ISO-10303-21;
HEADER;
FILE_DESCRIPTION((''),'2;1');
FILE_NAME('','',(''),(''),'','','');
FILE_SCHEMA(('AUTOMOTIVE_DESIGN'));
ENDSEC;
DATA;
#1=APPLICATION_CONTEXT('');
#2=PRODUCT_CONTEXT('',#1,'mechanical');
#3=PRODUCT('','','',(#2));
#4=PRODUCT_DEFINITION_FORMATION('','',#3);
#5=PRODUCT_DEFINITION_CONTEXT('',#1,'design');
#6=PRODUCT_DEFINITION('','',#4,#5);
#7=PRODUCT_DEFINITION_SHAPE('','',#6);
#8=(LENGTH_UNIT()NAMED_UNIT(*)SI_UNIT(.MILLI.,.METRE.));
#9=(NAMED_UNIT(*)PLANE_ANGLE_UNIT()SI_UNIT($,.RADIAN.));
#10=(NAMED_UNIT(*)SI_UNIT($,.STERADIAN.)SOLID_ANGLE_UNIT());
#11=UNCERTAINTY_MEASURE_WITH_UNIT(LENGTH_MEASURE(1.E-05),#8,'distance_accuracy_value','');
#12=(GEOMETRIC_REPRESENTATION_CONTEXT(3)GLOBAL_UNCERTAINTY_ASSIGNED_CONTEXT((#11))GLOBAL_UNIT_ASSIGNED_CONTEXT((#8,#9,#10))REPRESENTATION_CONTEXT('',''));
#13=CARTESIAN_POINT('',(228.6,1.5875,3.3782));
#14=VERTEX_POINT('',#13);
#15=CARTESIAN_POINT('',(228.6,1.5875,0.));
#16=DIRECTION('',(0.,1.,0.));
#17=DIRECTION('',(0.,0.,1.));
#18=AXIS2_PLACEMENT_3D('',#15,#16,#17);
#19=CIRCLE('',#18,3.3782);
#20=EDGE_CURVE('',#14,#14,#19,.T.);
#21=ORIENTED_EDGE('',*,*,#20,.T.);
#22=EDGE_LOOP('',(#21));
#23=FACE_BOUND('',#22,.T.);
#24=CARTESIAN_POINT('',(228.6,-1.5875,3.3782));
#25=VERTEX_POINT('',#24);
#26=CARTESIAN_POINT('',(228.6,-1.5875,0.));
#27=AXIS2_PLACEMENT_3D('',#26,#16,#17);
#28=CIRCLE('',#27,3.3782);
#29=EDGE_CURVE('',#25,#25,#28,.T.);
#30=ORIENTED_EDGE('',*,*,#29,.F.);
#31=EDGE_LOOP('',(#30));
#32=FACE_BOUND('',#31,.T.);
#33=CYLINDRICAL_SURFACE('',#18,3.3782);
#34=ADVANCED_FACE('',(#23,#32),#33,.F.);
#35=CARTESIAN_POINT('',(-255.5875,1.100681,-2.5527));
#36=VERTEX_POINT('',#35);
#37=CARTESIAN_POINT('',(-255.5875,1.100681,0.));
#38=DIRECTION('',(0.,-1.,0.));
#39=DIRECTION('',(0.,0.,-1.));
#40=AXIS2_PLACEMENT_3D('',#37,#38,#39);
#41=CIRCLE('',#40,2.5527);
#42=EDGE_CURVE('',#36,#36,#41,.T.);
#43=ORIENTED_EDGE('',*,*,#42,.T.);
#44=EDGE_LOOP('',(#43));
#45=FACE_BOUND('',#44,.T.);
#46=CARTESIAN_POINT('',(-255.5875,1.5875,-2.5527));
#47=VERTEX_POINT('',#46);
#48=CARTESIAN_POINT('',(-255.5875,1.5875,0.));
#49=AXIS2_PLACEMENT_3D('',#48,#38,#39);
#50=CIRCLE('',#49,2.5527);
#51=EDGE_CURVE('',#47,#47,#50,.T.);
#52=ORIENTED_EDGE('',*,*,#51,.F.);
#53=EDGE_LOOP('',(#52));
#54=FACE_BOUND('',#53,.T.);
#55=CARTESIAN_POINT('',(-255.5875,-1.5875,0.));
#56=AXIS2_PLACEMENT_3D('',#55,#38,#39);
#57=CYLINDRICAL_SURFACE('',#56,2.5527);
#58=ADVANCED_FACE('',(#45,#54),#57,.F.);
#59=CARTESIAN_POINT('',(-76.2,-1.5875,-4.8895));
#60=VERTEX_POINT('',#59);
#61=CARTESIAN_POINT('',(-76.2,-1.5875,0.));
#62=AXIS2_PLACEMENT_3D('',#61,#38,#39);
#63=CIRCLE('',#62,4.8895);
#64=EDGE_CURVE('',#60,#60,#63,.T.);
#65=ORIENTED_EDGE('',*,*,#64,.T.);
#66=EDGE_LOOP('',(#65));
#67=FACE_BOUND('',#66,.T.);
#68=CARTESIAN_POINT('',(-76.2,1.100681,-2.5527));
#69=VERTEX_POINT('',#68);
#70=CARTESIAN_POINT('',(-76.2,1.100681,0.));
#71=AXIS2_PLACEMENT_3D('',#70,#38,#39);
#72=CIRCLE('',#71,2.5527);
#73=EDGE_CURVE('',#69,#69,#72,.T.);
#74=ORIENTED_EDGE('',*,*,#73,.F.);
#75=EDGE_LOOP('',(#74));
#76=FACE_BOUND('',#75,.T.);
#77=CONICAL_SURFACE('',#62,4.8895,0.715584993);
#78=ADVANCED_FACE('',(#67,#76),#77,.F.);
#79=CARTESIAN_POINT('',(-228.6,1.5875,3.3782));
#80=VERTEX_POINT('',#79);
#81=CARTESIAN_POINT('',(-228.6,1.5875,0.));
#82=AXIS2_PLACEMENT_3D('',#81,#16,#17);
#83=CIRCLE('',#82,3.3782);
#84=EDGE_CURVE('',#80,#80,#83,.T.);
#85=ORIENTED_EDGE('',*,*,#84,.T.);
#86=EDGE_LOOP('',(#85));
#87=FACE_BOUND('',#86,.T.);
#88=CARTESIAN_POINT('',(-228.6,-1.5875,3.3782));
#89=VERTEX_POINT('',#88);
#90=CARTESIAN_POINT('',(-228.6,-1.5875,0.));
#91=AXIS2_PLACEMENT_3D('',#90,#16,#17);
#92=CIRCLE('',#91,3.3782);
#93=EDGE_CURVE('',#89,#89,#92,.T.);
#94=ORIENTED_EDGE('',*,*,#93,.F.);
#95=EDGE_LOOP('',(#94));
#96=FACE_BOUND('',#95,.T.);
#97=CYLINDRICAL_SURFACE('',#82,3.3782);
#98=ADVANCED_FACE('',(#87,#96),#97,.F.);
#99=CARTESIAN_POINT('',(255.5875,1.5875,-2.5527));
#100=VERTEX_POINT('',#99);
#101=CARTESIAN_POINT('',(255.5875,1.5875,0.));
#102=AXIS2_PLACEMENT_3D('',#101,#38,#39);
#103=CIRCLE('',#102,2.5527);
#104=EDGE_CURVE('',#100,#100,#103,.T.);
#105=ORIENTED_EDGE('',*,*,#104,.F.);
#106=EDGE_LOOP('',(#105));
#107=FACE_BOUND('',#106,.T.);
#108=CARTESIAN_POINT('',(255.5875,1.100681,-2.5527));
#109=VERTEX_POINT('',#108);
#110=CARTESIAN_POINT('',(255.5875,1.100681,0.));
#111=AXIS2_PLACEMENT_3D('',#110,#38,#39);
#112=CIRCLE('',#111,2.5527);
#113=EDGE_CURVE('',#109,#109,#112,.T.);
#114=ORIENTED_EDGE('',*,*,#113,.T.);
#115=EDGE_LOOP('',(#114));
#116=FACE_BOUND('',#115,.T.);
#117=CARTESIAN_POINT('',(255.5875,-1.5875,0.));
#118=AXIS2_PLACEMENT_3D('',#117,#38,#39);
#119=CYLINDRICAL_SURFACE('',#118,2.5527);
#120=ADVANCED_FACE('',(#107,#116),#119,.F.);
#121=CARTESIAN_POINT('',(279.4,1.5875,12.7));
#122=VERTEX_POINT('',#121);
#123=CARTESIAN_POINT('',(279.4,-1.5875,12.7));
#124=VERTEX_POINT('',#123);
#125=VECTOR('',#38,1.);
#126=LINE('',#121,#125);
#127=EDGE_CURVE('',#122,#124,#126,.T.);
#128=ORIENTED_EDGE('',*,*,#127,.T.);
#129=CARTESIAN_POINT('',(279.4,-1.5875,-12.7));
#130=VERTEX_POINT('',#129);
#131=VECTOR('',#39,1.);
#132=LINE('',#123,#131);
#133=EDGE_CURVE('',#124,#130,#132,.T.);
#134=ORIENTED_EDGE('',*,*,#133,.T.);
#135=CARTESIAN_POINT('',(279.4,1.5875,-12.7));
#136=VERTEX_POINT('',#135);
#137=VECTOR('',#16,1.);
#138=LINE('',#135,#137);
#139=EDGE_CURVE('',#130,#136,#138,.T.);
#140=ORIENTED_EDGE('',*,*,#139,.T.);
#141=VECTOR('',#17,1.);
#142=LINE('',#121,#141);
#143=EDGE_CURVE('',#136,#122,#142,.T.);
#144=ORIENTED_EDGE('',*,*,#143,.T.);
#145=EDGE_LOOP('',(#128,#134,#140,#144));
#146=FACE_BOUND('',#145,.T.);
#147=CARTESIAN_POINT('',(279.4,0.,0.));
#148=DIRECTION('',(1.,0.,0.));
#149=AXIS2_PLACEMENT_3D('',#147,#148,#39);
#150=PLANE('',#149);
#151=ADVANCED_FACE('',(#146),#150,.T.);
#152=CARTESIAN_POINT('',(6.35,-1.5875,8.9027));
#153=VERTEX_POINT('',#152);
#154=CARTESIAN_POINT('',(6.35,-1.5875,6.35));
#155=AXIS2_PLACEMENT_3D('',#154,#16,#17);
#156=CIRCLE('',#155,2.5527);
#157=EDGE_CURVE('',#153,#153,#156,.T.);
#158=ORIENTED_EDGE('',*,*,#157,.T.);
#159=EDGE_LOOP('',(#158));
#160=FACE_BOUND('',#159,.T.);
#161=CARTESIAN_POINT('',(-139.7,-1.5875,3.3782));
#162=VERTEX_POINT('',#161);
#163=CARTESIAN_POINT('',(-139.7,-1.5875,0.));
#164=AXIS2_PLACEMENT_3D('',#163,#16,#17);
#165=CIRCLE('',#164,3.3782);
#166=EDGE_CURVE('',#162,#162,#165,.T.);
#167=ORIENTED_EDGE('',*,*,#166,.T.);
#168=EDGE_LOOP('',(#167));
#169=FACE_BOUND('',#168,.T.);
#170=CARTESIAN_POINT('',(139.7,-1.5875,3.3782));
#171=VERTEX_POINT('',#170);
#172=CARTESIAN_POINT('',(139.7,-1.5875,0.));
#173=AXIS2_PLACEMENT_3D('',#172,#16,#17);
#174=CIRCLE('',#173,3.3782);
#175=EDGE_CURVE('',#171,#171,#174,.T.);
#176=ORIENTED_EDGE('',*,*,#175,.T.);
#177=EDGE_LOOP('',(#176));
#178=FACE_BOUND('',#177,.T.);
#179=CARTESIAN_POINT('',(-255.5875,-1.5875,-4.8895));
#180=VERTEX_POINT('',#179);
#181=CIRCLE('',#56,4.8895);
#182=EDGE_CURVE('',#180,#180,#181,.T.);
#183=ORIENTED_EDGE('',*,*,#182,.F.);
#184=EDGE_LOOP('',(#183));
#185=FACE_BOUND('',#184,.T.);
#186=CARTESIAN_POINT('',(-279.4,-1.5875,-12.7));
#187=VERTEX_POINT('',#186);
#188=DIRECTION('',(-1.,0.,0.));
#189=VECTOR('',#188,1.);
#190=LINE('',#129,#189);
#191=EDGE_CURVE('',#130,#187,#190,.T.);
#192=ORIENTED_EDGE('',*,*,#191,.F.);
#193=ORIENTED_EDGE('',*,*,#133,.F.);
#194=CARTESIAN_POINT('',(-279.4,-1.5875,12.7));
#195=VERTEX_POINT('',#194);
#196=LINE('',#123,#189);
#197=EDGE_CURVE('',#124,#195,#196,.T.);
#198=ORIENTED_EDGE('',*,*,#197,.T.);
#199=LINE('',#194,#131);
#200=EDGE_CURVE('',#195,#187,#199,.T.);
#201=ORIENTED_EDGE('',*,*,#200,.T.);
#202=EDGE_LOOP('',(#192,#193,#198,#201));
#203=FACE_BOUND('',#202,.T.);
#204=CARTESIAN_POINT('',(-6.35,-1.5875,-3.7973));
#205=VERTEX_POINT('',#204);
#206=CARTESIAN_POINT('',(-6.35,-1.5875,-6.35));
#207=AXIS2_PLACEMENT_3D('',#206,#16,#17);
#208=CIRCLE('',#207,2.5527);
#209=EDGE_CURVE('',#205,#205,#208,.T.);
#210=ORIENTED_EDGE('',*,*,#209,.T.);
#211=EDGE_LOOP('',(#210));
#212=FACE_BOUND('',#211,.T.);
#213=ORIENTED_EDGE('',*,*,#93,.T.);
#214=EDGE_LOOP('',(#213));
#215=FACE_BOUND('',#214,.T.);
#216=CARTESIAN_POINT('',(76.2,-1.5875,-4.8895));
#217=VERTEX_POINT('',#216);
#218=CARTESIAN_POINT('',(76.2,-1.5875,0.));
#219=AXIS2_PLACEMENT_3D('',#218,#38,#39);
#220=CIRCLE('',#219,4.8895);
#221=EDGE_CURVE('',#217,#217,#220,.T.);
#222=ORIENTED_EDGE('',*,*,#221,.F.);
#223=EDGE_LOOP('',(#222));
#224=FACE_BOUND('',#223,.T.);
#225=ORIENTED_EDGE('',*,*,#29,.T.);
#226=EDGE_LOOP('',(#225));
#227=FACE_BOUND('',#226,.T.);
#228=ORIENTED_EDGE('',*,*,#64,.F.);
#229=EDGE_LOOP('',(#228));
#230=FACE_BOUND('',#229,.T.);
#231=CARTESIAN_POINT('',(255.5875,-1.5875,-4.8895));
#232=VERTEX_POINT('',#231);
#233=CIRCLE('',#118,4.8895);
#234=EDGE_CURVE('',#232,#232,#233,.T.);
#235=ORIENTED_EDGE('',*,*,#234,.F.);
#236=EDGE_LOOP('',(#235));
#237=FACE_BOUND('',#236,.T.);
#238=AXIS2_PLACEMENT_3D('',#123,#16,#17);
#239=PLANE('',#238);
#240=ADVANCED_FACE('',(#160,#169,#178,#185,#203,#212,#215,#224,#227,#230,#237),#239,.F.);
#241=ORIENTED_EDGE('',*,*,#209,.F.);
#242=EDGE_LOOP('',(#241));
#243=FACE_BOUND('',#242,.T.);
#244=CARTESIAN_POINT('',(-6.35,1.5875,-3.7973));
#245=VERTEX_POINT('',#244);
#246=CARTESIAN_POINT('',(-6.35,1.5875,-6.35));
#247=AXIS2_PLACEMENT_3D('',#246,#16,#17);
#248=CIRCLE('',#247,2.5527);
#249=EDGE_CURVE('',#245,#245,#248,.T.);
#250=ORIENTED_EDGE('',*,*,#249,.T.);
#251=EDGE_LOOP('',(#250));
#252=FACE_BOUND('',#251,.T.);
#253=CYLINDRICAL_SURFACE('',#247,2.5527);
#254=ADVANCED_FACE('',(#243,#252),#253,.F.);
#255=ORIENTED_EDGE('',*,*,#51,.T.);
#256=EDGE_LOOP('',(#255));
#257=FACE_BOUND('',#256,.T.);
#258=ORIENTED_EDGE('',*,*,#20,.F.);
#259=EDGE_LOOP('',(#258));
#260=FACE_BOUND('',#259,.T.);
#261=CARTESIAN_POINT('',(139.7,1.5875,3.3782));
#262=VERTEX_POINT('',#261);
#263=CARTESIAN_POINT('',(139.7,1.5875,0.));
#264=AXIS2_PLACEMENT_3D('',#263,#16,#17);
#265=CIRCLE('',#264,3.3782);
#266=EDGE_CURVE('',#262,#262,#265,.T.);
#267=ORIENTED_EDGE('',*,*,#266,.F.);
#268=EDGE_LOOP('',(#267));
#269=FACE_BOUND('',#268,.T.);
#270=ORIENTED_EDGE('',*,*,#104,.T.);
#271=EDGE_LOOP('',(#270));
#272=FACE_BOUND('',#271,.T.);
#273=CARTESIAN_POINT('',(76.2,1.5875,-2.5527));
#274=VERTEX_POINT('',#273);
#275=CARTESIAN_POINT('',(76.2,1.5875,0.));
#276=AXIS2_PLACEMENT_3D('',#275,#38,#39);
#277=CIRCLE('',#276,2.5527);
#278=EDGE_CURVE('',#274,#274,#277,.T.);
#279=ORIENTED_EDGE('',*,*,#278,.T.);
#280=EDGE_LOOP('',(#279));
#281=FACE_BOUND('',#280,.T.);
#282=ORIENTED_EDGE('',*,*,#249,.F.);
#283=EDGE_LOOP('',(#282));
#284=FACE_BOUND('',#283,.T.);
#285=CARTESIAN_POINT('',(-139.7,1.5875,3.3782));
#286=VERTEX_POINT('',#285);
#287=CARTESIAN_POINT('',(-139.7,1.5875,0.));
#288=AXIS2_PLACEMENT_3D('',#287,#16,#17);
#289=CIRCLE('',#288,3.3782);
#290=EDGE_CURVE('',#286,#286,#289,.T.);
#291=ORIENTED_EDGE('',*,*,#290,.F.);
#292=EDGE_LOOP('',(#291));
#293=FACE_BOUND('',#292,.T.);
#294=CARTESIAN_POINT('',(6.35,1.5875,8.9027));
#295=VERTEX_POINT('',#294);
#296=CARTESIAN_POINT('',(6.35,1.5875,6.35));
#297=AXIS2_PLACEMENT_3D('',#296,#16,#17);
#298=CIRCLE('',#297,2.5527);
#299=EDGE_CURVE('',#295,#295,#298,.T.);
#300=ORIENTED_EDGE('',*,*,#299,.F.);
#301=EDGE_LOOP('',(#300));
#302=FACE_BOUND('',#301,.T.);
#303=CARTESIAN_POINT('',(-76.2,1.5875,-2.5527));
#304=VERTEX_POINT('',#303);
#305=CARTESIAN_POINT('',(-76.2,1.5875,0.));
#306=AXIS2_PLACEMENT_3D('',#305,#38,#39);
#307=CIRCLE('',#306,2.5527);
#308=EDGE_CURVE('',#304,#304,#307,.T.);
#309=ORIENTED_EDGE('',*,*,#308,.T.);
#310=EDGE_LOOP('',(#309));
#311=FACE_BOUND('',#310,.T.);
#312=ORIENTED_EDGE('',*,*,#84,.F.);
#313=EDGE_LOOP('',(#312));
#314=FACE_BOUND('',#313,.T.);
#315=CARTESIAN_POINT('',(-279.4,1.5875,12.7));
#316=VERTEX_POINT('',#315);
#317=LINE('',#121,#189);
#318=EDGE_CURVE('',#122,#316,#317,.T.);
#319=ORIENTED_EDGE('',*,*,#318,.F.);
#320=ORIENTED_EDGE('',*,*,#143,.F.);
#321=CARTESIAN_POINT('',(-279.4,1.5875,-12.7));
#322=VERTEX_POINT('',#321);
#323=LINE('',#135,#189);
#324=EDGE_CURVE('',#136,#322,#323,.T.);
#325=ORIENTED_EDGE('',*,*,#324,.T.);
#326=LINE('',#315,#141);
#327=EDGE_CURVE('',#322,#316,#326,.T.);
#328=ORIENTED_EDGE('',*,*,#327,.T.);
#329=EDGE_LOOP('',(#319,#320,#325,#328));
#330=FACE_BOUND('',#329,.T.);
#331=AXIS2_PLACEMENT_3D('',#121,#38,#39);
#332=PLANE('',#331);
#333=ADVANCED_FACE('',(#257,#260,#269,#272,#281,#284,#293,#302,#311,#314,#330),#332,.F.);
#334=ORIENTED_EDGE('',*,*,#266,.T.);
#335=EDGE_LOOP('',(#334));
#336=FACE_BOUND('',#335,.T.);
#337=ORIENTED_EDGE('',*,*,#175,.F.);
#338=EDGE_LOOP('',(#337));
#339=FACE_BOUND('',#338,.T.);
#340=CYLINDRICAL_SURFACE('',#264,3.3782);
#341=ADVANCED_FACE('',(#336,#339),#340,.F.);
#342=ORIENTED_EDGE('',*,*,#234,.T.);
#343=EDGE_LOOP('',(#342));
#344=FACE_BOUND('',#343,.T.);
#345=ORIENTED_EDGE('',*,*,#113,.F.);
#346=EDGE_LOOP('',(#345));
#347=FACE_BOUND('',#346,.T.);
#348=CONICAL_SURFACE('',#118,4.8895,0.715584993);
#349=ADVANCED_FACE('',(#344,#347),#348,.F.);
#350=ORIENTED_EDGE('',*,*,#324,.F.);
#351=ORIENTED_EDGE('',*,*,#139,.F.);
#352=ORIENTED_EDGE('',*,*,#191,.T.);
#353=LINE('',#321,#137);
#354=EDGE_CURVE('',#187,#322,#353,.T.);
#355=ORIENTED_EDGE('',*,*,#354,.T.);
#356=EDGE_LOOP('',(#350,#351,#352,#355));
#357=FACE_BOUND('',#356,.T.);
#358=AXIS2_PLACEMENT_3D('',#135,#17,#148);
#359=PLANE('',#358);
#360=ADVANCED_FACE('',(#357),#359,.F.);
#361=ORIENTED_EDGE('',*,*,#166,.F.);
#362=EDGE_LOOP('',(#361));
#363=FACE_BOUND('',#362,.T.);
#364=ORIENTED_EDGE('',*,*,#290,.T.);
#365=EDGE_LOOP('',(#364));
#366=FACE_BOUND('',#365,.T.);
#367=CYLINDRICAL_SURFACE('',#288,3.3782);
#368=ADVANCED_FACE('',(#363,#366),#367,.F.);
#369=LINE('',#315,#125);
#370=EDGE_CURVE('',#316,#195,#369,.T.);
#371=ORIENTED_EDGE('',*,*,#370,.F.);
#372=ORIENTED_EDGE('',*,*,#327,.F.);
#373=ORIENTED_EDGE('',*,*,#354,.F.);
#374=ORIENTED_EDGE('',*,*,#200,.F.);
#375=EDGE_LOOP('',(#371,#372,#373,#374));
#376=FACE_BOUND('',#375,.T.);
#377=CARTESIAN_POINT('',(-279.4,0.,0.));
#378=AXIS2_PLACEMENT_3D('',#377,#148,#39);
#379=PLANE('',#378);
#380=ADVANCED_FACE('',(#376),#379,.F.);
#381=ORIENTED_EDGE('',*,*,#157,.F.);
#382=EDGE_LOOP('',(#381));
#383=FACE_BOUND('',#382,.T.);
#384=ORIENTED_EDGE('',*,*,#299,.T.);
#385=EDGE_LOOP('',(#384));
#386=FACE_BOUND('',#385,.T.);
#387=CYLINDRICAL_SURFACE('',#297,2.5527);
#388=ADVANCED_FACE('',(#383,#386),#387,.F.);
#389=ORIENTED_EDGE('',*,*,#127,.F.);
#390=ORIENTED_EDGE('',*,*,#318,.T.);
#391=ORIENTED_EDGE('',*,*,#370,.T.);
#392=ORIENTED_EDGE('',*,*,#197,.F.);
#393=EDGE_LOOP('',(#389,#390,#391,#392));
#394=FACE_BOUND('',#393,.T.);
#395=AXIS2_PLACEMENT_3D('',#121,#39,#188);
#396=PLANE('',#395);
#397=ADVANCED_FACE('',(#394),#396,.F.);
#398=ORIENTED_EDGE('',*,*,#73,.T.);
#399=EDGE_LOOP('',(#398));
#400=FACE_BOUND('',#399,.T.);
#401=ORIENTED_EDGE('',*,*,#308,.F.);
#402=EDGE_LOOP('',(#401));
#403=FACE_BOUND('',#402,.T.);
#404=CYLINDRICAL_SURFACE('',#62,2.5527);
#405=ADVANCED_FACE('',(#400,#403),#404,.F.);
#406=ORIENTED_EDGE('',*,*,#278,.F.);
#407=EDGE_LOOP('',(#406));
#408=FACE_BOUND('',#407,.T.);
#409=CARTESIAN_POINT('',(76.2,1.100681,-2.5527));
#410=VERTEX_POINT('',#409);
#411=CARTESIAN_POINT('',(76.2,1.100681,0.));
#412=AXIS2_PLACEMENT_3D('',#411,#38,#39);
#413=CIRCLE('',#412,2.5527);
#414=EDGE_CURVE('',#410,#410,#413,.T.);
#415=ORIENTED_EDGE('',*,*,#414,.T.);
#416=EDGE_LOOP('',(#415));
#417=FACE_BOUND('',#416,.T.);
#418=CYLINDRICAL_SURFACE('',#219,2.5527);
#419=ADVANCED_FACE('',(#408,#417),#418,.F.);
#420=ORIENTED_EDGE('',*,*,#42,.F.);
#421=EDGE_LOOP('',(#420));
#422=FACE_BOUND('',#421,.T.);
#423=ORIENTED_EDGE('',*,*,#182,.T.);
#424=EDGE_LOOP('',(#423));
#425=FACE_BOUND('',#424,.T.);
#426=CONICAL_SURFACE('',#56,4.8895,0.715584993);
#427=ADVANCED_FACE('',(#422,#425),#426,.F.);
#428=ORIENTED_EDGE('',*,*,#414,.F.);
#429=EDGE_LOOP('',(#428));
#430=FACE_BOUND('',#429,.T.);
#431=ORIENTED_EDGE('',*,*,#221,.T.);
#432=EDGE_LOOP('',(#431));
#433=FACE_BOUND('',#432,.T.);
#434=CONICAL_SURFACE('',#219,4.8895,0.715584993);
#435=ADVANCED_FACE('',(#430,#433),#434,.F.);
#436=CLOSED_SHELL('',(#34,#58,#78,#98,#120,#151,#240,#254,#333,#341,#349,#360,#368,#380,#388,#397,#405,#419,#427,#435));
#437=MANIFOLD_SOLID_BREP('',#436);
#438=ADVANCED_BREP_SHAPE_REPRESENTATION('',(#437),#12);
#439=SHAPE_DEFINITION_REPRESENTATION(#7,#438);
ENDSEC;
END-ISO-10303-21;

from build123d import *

# Parameters (mm, degrees)
SKETCH1_W                                    = 25.4
SKETCH1_H                                    = 3.175
BOSS_EXTRUDE1_DEPTH                          = 279.4
F_1_4_CLEARANCE_HOLE1_D                      = 6.7564
F_10_CLEARANCE_HOLE1_D                       = 5.1054
CSK_FOR_10_FLAT_HEAD_MACHINE_SCREW1_AT_COUNT = 2
CSK_FOR_10_FLAT_HEAD_MACHINE_SCREW1_AT_PITCH = 50.8
CSK_FOR_10_FLAT_HEAD_MACHINE_SCREW1_2_COUNT  = 2
CSK_FOR_10_FLAT_HEAD_MACHINE_SCREW1_2_PITCH  = 186.441720536
CSK_FOR_10_FLAT_HEAD_MACHINE_SCREW1_3_COUNT  = 2
CSK_FOR_10_FLAT_HEAD_MACHINE_SCREW1_3_PITCH  = 179.3875
CSK_FOR_10_FLAT_HEAD_MACHINE_SCREW1_4_COUNT  = 2
CSK_FOR_10_FLAT_HEAD_MACHINE_SCREW1_4_PITCH  = 331.7875
CSK_FOR_10_FLAT_HEAD_MACHINE_SCREW1_5_COUNT  = 2
CSK_FOR_10_FLAT_HEAD_MACHINE_SCREW1_5_PITCH  = 152.4
CSK_FOR_10_FLAT_HEAD_MACHINE_SCREW1_6_COUNT  = 2
CSK_FOR_10_FLAT_HEAD_MACHINE_SCREW1_6_PITCH  = 160.643705137
CSK_FOR_10_FLAT_HEAD_MACHINE_SCREW1_7_COUNT  = 2
CSK_FOR_10_FLAT_HEAD_MACHINE_SCREW1_7_PITCH  = 335.653966394


with BuildPart() as part:
    # Sketch1 → Boss-Extrude1 (new body, symmetric)
    with BuildSketch(Plane(origin=(0, 0, 0), x_dir=(0, 0, -1), z_dir=(1, 0, 0))):
        Rectangle(SKETCH1_W, SKETCH1_H)
    extrude(amount=BOSS_EXTRUDE1_DEPTH, both=True)

    # 1/4 Clearance Hole1 (through all)
    with Locations(Plane(origin=(0, 1.5875, 0), x_dir=(1, 0, 0), z_dir=(0, 1, 0))):
        with Locations((-139.7, 0), (-228.6, 0)):
            f_1_4_clearance_hole1 = Hole(F_1_4_CLEARANCE_HOLE1_D / 2)

    # Mirror1: 1/4 Clearance Hole1 across plane
    add(f_1_4_clearance_hole1.mirror(Plane(origin=(0, 0, 0), x_dir=(0, 0, 1), z_dir=(1, 0, 0))), mode=Mode.SUBTRACT)

    # #10 Clearance Hole1 (through all)
    with Locations(Plane(origin=(0, 1.5875, 0), x_dir=(1, 0, 0), z_dir=(0, 1, 0))):
        with Locations((6.35, -6.35), (-6.35, 6.35)):
            Hole(F_10_CLEARANCE_HOLE1_D / 2)

    # Sketch7 → CSK for #10 Flat Head Machine Screw1 (revolve, cut)
    with BuildSketch(Plane(origin=(-76.2, -1.5875, 0), x_dir=(0, 0, -1), z_dir=(1, 0, 0))):
        Polygon((0, 0), (0, 3.175), (2.5527, 3.175), (2.5527, 2.688180894), (4.8895, 0), align=None)
    csk_for_10_flat_head_machine_screw1 = revolve(axis=Axis((-76.2, -7.9375, 0), (0, 1, 0)), mode=Mode.SUBTRACT)

    # CSK for #10 Flat Head Machine Screw1 at: CSK for #10 Flat Head Machine Screw1 ×2
    with Locations(*[(0, 0, -i * CSK_FOR_10_FLAT_HEAD_MACHINE_SCREW1_AT_PITCH) for i in range(1, CSK_FOR_10_FLAT_HEAD_MACHINE_SCREW1_AT_COUNT)]):
        add(csk_for_10_flat_head_machine_screw1, mode=Mode.SUBTRACT)

    # CSK for _10 Flat Head Machine Screw1 2: CSK for #10 Flat Head Machine Screw1 ×2
    with Locations(*[Vector(-0.962163938, 0, -0.272471204) * (i * CSK_FOR_10_FLAT_HEAD_MACHINE_SCREW1_2_PITCH) for i in range(1, CSK_FOR_10_FLAT_HEAD_MACHINE_SCREW1_2_COUNT)]):
        add(csk_for_10_flat_head_machine_screw1, mode=Mode.SUBTRACT)

    # CSK for _10 Flat Head Machine Screw1 3: CSK for #10 Flat Head Machine Screw1 ×2
    with Locations(*[(-i * CSK_FOR_10_FLAT_HEAD_MACHINE_SCREW1_3_PITCH, 0, 0) for i in range(1, CSK_FOR_10_FLAT_HEAD_MACHINE_SCREW1_3_COUNT)]):
        add(csk_for_10_flat_head_machine_screw1, mode=Mode.SUBTRACT)

    # CSK for _10 Flat Head Machine Screw1 4: CSK for #10 Flat Head Machine Screw1 ×2
    with Locations(*[(i * CSK_FOR_10_FLAT_HEAD_MACHINE_SCREW1_4_PITCH, 0, 0) for i in range(1, CSK_FOR_10_FLAT_HEAD_MACHINE_SCREW1_4_COUNT)]):
        add(csk_for_10_flat_head_machine_screw1, mode=Mode.SUBTRACT)

    # CSK for _10 Flat Head Machine Screw1 5: CSK for #10 Flat Head Machine Screw1 ×2
    with Locations(*[(i * CSK_FOR_10_FLAT_HEAD_MACHINE_SCREW1_5_PITCH, 0, 0) for i in range(1, CSK_FOR_10_FLAT_HEAD_MACHINE_SCREW1_5_COUNT)]):
        add(csk_for_10_flat_head_machine_screw1, mode=Mode.SUBTRACT)

    # CSK for _10 Flat Head Machine Screw1 6: CSK for #10 Flat Head Machine Screw1 ×2
    with Locations(*[Vector(0.948683298, 0, -0.316227766) * (i * CSK_FOR_10_FLAT_HEAD_MACHINE_SCREW1_6_PITCH) for i in range(1, CSK_FOR_10_FLAT_HEAD_MACHINE_SCREW1_6_COUNT)]):
        add(csk_for_10_flat_head_machine_screw1, mode=Mode.SUBTRACT)

    # CSK for _10 Flat Head Machine Screw1 7: CSK for #10 Flat Head Machine Screw1 ×2
    with Locations(*[Vector(0.988480796, 0, -0.151346342) * (i * CSK_FOR_10_FLAT_HEAD_MACHINE_SCREW1_7_PITCH) for i in range(1, CSK_FOR_10_FLAT_HEAD_MACHINE_SCREW1_7_COUNT)]):
        add(csk_for_10_flat_head_machine_screw1, mode=Mode.SUBTRACT)


solid = part.part
